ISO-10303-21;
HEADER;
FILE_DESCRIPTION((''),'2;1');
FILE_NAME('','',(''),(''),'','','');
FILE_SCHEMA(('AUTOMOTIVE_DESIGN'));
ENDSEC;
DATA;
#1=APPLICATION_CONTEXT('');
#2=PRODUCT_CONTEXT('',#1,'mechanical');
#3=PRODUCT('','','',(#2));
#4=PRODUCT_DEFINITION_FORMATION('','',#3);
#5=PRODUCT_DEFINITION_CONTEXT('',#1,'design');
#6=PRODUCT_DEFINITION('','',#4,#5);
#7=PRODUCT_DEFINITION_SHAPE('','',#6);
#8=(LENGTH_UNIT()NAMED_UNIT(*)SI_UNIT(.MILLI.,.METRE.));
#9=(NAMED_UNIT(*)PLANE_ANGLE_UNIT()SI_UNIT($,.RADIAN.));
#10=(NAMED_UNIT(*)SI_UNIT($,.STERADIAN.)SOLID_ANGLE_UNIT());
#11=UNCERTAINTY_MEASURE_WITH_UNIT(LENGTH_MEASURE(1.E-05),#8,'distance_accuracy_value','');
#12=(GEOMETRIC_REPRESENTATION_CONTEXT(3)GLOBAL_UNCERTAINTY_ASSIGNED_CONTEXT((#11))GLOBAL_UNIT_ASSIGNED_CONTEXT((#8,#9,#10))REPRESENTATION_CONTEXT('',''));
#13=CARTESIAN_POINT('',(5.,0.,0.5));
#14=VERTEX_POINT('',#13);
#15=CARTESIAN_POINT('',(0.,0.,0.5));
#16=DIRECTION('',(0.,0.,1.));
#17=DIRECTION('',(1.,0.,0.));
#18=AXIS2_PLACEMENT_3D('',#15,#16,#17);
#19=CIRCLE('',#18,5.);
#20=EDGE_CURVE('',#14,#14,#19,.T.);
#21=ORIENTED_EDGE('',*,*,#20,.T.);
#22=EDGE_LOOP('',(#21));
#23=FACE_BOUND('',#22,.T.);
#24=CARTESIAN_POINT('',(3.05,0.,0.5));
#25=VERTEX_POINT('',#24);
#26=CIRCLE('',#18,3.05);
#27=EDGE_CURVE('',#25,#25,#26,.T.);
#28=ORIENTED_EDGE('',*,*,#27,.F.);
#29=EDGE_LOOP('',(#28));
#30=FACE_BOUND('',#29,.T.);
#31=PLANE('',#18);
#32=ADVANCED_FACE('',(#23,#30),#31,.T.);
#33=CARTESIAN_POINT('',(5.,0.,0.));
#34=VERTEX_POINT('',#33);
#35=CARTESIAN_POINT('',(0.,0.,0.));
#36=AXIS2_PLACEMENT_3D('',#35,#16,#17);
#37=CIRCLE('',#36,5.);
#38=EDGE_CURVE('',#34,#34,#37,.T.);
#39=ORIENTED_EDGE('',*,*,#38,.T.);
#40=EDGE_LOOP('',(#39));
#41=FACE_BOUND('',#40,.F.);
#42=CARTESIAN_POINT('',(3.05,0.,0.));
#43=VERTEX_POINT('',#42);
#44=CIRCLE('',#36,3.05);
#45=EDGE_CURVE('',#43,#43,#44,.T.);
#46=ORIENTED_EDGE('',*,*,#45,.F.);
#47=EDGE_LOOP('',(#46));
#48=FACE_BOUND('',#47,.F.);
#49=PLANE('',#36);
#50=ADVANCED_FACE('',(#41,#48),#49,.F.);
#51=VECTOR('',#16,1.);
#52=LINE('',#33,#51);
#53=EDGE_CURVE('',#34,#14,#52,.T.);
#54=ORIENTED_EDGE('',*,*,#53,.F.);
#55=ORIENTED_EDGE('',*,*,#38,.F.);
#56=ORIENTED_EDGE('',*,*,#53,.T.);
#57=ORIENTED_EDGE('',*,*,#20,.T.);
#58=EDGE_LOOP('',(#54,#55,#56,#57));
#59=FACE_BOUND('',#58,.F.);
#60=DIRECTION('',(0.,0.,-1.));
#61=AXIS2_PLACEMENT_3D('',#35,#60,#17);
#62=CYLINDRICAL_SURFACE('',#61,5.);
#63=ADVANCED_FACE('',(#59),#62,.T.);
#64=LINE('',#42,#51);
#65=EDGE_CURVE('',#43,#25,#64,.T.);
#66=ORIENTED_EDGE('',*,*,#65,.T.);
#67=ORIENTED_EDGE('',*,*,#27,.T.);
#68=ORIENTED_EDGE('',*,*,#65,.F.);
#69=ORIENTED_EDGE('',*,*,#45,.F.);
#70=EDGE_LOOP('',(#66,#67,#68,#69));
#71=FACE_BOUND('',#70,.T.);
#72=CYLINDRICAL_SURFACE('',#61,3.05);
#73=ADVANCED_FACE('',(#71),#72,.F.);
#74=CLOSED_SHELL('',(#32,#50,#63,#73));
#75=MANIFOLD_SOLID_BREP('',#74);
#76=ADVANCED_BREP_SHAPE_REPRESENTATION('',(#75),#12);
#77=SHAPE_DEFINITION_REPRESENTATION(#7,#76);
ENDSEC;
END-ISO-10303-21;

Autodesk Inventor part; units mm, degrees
ref_plane "YZ Plane" through (0, 0, 0) normal (1, 0, 0) x (0, 1, 0)
ref_plane "XZ Plane" through (0, 0, 0) normal (0, 1, 0) x (-1, 0, 0)
ref_plane "XY Plane" through (0, 0, 0) normal (0, 0, 1) x (1, 0, 0)
sketch "スケッチ1" plane through (0, 0, 0) normal (0, 0, 1) x (1, 0, 0)
  circle A0 centre (0, 0) radius 3.05
  circle A1 centre (0, 0) radius 5
  dimension "d0" = 6.1
  dimension "d1" = 10
extrude "押し出し1" add sketch "スケッチ1" along normal blind 0.5
properties part number "CC-0612-05" material "ABS プラスチック"
